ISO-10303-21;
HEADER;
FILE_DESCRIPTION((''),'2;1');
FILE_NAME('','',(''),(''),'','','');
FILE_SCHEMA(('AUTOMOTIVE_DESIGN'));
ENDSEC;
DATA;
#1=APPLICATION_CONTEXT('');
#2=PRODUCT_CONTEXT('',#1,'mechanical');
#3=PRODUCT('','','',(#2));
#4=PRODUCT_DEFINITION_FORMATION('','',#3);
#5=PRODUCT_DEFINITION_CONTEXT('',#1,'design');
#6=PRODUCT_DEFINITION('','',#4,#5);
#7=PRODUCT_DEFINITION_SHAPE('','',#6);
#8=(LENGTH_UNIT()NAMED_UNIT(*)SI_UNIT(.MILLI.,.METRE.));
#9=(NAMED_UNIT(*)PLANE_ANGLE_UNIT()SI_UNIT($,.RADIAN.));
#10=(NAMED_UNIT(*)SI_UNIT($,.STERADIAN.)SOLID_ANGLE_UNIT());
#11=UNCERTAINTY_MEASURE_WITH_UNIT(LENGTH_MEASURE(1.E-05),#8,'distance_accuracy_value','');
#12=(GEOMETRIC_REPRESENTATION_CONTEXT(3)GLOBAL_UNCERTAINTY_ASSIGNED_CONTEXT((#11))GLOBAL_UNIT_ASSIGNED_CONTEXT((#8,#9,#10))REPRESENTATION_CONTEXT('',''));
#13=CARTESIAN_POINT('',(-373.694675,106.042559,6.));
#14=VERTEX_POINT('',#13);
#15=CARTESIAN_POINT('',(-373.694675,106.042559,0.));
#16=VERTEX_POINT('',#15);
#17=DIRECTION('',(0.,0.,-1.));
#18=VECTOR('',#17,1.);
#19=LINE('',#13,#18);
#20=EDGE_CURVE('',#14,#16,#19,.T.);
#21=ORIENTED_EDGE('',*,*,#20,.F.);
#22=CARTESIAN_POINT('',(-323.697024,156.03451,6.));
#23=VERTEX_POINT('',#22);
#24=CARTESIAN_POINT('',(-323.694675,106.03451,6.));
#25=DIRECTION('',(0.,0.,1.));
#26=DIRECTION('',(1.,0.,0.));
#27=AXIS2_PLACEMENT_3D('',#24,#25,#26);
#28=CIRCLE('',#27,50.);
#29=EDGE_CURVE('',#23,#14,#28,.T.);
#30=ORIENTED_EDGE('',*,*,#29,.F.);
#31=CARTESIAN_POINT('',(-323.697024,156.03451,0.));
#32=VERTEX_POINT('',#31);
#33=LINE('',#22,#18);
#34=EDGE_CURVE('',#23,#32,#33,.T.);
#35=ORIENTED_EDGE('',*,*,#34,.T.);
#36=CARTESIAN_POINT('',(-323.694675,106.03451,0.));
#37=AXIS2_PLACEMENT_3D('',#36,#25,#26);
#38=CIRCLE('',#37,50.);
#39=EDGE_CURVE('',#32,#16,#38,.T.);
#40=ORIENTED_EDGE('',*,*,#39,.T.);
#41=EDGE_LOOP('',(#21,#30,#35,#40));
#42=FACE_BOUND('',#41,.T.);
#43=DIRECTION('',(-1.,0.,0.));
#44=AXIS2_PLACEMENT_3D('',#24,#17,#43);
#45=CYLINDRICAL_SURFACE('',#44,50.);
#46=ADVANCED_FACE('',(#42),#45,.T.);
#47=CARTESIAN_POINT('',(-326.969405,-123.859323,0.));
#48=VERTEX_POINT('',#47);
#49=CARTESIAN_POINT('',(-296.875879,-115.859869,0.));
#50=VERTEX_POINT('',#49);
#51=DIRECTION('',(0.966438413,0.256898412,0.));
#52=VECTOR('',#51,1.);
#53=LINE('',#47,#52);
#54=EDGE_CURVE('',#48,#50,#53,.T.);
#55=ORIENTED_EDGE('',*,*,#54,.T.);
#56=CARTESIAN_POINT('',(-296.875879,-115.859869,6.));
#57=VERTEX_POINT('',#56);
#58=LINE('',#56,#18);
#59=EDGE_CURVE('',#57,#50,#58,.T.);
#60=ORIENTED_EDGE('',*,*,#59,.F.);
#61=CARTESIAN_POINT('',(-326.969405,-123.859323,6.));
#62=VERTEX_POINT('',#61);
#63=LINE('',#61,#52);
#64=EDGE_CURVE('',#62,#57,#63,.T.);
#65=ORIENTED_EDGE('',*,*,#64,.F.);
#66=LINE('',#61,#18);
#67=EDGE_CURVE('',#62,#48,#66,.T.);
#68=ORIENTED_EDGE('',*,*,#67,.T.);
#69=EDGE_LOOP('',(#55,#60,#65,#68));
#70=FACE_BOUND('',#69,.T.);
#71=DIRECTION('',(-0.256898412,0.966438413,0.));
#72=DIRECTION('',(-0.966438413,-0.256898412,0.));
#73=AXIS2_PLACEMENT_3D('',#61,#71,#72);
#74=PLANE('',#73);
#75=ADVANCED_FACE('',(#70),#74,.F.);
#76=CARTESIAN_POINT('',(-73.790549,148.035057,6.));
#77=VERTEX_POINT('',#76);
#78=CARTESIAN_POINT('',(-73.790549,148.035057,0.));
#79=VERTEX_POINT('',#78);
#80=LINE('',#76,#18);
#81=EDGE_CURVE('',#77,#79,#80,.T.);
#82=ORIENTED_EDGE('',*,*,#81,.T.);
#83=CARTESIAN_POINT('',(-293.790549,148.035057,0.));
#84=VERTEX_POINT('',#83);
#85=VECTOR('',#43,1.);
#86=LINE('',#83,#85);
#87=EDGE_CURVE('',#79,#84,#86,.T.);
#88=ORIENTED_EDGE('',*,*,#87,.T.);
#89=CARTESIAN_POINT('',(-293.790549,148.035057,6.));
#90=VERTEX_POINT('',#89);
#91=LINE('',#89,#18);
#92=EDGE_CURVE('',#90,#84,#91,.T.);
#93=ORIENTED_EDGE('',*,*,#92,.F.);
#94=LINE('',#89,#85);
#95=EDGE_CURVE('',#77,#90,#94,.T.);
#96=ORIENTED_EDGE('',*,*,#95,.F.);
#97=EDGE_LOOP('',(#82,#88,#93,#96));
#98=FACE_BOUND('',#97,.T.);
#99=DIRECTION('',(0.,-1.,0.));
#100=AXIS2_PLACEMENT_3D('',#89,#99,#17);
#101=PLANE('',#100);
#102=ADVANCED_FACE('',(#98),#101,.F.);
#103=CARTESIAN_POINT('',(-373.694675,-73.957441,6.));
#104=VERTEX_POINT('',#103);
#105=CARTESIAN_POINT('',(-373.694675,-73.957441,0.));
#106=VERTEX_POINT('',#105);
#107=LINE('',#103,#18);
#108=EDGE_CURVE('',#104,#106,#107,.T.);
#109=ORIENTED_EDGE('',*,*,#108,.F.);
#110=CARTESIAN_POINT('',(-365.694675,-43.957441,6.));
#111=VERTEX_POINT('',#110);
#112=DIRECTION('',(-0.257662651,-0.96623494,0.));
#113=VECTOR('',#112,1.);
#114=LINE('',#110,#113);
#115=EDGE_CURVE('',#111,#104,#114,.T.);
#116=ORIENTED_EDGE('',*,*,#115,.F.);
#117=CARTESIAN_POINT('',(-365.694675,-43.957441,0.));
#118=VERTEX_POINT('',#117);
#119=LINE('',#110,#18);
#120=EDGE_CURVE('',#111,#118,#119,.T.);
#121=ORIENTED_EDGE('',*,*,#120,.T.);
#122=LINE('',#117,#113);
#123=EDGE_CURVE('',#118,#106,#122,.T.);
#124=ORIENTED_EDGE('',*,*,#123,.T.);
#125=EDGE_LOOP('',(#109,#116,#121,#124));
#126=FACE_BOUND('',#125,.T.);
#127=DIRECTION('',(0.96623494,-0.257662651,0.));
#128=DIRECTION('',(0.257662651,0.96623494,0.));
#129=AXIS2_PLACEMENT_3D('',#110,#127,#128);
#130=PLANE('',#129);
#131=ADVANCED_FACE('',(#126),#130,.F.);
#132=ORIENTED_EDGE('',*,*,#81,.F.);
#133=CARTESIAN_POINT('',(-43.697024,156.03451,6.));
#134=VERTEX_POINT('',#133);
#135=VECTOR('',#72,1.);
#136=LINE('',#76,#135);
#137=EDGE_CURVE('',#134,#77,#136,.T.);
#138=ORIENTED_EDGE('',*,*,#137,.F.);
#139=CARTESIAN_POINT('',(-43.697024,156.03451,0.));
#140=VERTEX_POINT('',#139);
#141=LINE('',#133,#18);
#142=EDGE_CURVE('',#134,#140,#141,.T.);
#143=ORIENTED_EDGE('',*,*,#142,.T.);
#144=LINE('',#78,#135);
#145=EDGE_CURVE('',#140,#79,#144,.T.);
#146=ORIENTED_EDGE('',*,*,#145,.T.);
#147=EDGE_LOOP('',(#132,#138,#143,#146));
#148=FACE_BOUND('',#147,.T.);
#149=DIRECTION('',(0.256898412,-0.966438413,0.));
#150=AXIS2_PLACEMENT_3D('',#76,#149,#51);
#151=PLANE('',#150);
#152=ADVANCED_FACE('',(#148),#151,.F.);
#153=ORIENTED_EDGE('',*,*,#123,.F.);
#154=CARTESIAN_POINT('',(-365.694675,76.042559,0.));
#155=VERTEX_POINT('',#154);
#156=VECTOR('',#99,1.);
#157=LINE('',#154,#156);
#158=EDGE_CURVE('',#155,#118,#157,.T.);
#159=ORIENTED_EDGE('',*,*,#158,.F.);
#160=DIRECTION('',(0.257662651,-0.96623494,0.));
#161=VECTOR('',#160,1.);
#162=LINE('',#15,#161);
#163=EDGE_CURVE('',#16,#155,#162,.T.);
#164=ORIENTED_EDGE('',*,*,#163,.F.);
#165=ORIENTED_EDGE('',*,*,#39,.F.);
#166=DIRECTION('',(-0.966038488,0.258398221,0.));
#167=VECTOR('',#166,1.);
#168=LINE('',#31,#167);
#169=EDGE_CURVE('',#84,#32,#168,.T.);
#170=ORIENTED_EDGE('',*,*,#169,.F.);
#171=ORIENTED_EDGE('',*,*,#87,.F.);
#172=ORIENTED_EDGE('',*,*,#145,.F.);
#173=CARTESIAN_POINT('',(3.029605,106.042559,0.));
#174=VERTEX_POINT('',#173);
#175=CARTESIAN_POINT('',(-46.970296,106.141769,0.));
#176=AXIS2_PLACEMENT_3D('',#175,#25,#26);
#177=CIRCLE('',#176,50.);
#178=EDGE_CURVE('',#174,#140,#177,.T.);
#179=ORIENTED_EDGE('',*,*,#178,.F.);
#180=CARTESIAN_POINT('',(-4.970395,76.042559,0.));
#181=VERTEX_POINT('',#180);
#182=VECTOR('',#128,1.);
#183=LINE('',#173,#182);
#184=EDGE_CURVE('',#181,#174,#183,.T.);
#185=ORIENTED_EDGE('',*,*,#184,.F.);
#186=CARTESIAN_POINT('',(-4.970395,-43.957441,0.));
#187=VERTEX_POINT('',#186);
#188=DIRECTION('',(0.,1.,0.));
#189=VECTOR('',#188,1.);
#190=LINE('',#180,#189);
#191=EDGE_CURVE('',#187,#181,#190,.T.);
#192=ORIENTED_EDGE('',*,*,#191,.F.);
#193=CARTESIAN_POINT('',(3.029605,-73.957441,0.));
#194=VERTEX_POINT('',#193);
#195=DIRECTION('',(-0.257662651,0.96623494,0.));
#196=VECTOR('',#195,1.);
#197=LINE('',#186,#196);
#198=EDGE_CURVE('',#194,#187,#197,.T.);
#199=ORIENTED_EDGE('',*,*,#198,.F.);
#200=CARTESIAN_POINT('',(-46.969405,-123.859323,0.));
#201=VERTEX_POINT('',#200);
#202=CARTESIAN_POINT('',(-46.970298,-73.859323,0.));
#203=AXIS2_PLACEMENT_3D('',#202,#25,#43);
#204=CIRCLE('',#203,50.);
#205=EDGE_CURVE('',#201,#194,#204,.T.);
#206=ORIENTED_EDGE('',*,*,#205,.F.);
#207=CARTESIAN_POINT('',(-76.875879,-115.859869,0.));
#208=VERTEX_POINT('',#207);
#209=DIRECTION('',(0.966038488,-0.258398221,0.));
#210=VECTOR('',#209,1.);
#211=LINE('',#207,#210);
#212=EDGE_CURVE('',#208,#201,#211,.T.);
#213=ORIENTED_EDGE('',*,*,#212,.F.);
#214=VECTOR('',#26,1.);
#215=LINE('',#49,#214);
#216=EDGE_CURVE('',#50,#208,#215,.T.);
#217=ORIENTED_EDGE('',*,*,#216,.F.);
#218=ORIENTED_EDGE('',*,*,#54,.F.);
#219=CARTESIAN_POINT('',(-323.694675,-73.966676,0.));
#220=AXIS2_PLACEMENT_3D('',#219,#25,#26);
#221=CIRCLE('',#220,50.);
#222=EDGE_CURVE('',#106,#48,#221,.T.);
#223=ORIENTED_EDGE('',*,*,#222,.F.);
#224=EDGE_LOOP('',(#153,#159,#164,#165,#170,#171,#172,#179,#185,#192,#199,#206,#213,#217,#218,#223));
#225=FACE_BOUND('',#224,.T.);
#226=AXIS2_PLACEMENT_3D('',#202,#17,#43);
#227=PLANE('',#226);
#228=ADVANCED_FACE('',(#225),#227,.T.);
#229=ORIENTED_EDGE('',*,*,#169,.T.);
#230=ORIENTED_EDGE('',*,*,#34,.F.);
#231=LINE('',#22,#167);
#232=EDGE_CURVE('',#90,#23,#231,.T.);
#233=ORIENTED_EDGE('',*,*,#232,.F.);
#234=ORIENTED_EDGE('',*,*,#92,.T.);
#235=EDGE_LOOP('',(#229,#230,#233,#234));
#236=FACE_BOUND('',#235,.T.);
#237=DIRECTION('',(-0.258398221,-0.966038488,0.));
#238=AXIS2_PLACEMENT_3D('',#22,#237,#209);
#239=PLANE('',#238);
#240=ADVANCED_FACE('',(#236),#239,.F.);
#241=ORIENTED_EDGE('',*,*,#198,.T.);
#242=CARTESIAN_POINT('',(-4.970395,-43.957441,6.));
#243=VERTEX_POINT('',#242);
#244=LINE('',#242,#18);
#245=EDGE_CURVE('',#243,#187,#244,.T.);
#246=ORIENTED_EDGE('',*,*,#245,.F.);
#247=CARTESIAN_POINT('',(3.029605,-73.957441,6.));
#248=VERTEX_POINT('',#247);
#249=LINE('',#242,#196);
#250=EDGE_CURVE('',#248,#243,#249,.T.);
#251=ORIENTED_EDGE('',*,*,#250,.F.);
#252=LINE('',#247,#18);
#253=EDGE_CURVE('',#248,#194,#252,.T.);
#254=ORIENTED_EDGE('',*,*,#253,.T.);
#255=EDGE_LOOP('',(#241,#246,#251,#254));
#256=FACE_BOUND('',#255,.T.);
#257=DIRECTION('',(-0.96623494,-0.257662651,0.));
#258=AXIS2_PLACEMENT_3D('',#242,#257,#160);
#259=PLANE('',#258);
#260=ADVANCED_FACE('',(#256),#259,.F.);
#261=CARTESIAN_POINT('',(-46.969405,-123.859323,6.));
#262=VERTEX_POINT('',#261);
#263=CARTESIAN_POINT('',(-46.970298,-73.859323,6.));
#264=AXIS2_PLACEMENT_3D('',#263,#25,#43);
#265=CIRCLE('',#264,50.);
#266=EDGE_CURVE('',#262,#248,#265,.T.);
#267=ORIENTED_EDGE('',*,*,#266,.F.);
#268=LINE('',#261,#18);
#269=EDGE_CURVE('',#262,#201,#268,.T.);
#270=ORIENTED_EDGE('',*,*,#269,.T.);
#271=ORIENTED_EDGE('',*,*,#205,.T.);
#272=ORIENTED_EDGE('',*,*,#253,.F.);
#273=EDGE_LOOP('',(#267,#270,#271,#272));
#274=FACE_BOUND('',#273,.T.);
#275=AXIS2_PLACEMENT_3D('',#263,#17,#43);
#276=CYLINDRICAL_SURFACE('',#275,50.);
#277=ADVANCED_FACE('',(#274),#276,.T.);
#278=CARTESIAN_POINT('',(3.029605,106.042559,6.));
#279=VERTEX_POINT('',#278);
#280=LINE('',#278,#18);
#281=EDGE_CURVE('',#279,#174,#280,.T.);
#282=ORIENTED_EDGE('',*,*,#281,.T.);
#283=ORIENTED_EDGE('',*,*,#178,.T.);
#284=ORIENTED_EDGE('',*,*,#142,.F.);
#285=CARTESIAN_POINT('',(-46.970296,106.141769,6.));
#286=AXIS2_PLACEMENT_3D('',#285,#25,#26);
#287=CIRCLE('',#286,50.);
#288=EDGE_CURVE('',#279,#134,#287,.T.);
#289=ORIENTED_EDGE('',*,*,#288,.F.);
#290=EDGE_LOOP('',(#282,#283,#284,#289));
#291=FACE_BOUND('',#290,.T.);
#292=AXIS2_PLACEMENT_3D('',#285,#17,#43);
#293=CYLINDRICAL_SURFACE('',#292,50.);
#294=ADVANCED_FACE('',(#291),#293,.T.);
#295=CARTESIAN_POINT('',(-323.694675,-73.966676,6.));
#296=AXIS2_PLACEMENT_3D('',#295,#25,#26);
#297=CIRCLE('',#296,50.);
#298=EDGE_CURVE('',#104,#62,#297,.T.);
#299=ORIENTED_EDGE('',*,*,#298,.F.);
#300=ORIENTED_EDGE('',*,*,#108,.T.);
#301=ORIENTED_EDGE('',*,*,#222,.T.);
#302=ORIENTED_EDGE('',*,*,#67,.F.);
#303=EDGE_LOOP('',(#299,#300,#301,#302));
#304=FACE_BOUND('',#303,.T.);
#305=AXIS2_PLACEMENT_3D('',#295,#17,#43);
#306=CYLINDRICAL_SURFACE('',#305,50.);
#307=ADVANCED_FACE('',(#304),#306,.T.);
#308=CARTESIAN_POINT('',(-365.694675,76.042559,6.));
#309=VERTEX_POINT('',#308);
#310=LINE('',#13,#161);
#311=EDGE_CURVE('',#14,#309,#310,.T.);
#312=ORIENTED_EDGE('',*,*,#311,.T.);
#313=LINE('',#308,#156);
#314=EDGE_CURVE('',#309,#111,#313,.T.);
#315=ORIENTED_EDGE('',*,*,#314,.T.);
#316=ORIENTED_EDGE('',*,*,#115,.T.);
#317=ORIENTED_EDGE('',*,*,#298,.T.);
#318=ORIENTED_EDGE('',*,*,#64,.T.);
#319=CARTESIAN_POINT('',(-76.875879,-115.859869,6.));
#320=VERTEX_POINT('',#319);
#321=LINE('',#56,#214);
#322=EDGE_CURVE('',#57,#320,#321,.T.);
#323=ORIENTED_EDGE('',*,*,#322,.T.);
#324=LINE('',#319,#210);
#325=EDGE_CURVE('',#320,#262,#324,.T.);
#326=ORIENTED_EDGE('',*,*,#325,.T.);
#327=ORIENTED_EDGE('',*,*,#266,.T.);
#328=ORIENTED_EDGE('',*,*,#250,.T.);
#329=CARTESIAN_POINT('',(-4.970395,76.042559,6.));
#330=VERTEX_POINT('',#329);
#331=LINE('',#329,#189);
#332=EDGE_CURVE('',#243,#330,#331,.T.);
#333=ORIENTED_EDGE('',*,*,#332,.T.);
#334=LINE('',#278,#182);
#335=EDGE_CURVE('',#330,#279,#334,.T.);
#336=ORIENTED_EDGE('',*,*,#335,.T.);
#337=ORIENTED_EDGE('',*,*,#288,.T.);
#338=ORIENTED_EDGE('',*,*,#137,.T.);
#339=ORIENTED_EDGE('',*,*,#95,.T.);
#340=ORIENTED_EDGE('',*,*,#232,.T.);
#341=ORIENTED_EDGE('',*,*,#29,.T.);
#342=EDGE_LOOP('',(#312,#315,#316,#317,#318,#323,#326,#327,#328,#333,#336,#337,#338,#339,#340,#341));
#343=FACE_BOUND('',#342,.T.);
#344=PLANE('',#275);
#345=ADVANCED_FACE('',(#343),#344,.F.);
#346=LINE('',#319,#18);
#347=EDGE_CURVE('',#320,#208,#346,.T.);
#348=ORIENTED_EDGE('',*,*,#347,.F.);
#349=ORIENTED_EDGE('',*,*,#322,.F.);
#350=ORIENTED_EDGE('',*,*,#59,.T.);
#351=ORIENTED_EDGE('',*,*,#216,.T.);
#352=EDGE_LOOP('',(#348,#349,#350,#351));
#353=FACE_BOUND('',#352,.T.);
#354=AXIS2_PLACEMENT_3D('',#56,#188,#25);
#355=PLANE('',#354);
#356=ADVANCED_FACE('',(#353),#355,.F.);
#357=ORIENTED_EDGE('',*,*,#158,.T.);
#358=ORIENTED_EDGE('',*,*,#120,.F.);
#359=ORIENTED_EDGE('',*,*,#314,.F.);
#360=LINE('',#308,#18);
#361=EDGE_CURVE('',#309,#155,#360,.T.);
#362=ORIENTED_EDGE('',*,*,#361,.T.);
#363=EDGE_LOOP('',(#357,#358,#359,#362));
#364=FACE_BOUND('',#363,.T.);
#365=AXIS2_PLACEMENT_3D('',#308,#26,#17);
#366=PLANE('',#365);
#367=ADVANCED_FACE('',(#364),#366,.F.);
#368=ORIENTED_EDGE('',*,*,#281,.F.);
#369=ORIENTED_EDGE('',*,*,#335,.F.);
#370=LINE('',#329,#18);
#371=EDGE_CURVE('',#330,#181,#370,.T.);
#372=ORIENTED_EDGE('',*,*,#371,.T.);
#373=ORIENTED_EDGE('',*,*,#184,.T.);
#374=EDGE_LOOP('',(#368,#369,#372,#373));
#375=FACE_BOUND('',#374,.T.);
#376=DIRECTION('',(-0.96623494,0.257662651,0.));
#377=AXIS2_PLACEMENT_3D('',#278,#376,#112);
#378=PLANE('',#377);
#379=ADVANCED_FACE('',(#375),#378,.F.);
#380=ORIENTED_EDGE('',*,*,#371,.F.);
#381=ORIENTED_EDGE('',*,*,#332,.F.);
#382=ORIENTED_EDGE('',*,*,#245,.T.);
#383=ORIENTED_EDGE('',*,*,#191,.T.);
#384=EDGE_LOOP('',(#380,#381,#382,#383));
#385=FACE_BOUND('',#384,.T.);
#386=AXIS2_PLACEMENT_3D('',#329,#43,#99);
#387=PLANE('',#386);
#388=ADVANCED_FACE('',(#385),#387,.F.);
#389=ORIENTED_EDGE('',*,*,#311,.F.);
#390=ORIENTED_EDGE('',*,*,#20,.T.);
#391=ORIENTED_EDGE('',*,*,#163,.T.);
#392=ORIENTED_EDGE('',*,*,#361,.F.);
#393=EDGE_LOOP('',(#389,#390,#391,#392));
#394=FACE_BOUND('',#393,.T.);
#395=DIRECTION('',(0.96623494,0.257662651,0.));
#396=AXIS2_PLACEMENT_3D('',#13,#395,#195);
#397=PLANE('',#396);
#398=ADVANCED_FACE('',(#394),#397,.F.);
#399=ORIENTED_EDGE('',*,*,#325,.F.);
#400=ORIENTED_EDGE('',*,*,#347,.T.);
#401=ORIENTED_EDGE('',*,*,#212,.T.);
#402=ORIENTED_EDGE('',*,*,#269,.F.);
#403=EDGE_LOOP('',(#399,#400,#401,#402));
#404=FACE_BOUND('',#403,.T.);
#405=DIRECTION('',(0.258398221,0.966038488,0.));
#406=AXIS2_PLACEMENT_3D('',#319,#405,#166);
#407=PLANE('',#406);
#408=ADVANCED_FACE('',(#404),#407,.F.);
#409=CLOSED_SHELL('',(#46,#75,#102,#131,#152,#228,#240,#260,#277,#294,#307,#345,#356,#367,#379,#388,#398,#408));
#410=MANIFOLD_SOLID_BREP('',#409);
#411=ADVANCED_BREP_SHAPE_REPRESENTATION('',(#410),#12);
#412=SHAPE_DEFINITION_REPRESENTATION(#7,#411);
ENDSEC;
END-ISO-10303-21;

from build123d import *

# Parameters (mm, degrees)
BOSS_EXTRU_1_DEPTH = 6


with BuildPart() as part:
    # Esquisse1 → Boss.-Extru.1 (new body)
    with BuildSketch(Plane.XY):
        with BuildLine():
            Line((-373.69467463, 106.042558597), (-365.69467463, 76.042558597))
            Line((-365.69467463, 76.042558597), (-365.69467463, -43.957441403))
            Line((-365.69467463, -43.957441403), (-373.69467463, -73.957441403))
            ThreePointArc((-373.69467463, -73.957441403), (-360.192601556, -108.141248671), (-326.969404712, -123.859322601))
            Line((-326.969404712, -123.859322601), (-296.875879039, -115.85986931))
            Line((-296.875879039, -115.85986931), (-76.875879039, -115.85986931))
            Line((-76.875879039, -115.85986931), (-46.969404712, -123.859322601))
            ThreePointArc((-46.969404712, -123.859322601), (-11.649350298, -109.24901926), (3.029605382, -73.957441403))
            Line((3.029605382, -73.957441403), (-4.970394618, -43.957441403))
            Line((-4.970394618, -43.957441403), (-4.970394618, 76.042558597))
            Line((-4.970394618, 76.042558597), (3.029605382, 106.042558597))
            ThreePointArc((3.029605382, 106.042558597), (-10.442134726, 140.284021287), (-43.697023707, 156.03451041))
            Line((-43.697023707, 156.03451041), (-73.79054938, 148.035057119))
            Line((-73.79054938, 148.035057119), (-293.79054938, 148.035057119))
            Line((-293.79054938, 148.035057119), (-323.697023707, 156.03451041))
            ThreePointArc((-323.697023707, 156.03451041), (-359.04799913, 141.391864616), (-373.69467463, 106.042558597))
        make_face()
    extrude(amount=BOSS_EXTRU_1_DEPTH)


solid = part.part
